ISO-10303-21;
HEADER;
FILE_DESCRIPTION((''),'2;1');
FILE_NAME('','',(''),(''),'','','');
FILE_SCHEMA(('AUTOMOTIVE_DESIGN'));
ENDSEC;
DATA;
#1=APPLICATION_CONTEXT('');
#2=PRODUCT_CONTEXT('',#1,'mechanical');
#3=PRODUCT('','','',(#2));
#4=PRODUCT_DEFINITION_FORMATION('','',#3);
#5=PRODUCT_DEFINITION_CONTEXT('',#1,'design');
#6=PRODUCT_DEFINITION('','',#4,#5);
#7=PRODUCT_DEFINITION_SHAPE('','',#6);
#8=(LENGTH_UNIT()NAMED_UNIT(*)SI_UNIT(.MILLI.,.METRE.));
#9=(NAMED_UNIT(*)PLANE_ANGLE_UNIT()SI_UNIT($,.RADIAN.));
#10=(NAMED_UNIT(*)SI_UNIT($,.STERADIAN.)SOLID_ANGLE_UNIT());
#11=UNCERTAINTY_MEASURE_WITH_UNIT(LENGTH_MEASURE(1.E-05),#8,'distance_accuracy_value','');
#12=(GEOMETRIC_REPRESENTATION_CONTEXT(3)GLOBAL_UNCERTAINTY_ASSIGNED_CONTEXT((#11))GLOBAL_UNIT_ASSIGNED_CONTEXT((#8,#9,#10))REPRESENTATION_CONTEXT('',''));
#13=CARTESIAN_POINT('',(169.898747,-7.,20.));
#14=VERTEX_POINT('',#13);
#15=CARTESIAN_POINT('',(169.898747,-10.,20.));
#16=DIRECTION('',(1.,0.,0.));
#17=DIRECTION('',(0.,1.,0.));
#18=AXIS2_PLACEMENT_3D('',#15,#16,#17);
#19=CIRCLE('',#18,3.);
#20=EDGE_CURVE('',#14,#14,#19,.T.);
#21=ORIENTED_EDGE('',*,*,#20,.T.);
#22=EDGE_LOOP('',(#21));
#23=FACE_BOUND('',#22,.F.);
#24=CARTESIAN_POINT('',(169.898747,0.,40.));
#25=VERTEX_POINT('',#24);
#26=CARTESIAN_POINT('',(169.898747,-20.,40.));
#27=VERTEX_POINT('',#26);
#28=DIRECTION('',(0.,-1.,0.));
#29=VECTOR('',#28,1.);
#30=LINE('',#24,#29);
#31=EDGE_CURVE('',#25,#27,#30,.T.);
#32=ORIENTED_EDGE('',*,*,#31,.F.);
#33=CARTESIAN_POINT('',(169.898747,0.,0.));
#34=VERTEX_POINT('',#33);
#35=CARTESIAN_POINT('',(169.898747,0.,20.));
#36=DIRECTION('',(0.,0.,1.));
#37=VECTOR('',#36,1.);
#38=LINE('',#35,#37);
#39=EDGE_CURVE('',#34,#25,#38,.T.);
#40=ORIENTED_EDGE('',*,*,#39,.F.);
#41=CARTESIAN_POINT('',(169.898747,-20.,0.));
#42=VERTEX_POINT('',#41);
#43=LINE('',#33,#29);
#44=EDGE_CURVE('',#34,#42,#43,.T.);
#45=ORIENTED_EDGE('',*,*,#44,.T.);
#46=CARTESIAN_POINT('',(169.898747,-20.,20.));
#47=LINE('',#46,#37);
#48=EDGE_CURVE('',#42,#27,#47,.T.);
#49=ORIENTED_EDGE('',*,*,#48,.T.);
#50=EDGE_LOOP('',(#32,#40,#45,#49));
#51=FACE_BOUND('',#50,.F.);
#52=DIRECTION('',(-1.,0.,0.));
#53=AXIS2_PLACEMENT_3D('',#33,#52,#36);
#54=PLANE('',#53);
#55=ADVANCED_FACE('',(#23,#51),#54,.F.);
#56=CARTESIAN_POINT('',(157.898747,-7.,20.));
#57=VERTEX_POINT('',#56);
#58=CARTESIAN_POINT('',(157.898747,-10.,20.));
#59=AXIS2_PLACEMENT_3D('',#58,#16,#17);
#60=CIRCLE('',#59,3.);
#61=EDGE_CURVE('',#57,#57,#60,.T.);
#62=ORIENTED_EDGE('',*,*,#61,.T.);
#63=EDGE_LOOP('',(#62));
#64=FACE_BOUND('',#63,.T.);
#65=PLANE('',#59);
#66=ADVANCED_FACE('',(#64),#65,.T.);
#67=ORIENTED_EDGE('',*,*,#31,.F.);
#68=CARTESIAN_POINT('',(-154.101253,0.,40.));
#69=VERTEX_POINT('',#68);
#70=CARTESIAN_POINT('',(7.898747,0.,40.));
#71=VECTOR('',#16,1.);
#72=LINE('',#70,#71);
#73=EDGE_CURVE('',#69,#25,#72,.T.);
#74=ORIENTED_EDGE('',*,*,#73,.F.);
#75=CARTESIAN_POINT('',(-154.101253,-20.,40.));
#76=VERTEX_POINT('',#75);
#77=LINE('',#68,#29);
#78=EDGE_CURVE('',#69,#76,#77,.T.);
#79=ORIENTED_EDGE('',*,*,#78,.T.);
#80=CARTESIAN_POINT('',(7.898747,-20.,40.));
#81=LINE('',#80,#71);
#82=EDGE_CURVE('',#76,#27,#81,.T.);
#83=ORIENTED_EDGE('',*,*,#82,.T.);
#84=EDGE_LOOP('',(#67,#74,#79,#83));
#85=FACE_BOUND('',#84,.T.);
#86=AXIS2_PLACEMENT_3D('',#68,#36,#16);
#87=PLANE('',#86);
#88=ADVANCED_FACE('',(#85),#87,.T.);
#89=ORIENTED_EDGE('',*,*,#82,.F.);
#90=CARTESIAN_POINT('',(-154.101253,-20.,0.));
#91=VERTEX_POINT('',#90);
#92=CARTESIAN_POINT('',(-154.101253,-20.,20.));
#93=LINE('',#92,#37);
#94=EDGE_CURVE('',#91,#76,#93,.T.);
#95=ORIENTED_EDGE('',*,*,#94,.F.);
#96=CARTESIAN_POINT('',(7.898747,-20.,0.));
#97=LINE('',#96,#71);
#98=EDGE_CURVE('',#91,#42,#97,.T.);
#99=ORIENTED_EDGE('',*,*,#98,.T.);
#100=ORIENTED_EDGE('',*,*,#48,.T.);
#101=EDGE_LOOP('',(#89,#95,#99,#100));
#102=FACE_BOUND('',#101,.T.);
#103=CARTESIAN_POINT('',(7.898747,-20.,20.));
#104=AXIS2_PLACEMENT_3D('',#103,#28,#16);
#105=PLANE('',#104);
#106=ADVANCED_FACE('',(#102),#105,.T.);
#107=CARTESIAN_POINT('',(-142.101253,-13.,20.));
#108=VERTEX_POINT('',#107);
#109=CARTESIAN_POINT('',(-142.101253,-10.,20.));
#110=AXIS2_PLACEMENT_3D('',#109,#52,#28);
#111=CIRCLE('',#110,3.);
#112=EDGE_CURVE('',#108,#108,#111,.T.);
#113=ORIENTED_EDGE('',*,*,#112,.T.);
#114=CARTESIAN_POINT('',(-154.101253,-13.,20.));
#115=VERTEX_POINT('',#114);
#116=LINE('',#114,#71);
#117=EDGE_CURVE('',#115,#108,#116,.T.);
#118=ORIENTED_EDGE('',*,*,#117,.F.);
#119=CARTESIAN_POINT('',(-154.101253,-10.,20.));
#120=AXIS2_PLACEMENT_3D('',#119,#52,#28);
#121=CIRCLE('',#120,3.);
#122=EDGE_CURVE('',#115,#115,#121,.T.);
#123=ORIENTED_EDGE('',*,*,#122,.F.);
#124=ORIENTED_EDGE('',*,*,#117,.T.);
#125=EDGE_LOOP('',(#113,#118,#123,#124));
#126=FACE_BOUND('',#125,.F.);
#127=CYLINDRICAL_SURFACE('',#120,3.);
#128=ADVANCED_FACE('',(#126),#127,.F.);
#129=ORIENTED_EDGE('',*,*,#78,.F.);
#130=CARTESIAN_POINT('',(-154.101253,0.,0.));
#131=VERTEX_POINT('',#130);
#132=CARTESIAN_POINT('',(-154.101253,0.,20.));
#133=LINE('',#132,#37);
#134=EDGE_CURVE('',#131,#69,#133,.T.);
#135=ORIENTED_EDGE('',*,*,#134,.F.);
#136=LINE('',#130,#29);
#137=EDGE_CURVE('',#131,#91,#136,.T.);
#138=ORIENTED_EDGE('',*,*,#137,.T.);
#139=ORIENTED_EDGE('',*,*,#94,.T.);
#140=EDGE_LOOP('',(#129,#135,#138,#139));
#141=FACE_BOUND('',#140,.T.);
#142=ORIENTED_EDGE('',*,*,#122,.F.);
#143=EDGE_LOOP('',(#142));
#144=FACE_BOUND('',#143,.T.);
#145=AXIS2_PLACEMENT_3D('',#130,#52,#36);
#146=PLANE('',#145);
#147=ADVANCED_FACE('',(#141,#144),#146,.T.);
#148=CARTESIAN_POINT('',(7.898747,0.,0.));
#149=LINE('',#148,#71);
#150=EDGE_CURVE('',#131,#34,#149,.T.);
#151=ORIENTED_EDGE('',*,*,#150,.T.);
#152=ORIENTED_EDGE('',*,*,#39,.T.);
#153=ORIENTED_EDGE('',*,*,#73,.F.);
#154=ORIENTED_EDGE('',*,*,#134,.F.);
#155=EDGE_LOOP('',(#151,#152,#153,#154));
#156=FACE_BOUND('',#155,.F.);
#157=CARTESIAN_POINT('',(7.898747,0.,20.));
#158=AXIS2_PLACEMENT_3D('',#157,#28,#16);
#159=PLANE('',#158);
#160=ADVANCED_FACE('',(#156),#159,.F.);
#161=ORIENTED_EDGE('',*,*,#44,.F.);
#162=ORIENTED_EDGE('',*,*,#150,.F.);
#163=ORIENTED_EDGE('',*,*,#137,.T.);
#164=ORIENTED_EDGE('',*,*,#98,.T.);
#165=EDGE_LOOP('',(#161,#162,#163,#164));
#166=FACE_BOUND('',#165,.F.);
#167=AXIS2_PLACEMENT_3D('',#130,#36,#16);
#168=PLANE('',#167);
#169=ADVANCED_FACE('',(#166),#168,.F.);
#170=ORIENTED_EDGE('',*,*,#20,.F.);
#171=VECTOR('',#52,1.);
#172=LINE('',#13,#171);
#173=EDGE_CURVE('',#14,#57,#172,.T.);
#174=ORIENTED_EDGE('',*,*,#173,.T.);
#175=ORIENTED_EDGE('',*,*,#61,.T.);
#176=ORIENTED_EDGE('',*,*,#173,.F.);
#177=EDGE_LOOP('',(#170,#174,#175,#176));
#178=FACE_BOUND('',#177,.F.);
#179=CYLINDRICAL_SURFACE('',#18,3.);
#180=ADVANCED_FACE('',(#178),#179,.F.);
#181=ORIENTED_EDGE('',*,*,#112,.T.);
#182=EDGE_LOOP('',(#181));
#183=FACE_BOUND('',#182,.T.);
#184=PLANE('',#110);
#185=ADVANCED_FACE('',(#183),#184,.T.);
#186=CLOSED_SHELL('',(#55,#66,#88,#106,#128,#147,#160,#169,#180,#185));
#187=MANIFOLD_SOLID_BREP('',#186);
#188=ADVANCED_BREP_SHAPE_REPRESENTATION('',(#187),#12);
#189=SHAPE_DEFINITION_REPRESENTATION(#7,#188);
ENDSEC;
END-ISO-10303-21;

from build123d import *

# Parameters (mm, degrees)
F0_W     = 324
F0_H     = 40
F1_DEPTH = 20
F2_R     = 3
F4_DEPTH = 12
F3_R     = 3
F5_DEPTH = 12


with BuildPart() as f1:
    # F0 (on Front) → F1 (new body)
    with BuildSketch(Plane.XZ):
        with Locations((7.898747, 20)):
            Rectangle(F0_W, F0_H)
    extrude(amount=F1_DEPTH)

    # F2 (on face) → F4 (cut)
    with BuildSketch(Plane.YZ.offset(169.898747)):
        with Locations((-10, 20)):
            Circle(F2_R)
    extrude(amount=-F4_DEPTH, mode=Mode.SUBTRACT)

    # F3 (on face) → F5 (cut)
    with BuildSketch(Plane(origin=(-154.101253, 0, 0), x_dir=(0, -1, 0), z_dir=(-1, 0, 0))):
        with Locations((10, 20)):
            Circle(F3_R)
    extrude(amount=-F5_DEPTH, mode=Mode.SUBTRACT)


solid = f1.part
